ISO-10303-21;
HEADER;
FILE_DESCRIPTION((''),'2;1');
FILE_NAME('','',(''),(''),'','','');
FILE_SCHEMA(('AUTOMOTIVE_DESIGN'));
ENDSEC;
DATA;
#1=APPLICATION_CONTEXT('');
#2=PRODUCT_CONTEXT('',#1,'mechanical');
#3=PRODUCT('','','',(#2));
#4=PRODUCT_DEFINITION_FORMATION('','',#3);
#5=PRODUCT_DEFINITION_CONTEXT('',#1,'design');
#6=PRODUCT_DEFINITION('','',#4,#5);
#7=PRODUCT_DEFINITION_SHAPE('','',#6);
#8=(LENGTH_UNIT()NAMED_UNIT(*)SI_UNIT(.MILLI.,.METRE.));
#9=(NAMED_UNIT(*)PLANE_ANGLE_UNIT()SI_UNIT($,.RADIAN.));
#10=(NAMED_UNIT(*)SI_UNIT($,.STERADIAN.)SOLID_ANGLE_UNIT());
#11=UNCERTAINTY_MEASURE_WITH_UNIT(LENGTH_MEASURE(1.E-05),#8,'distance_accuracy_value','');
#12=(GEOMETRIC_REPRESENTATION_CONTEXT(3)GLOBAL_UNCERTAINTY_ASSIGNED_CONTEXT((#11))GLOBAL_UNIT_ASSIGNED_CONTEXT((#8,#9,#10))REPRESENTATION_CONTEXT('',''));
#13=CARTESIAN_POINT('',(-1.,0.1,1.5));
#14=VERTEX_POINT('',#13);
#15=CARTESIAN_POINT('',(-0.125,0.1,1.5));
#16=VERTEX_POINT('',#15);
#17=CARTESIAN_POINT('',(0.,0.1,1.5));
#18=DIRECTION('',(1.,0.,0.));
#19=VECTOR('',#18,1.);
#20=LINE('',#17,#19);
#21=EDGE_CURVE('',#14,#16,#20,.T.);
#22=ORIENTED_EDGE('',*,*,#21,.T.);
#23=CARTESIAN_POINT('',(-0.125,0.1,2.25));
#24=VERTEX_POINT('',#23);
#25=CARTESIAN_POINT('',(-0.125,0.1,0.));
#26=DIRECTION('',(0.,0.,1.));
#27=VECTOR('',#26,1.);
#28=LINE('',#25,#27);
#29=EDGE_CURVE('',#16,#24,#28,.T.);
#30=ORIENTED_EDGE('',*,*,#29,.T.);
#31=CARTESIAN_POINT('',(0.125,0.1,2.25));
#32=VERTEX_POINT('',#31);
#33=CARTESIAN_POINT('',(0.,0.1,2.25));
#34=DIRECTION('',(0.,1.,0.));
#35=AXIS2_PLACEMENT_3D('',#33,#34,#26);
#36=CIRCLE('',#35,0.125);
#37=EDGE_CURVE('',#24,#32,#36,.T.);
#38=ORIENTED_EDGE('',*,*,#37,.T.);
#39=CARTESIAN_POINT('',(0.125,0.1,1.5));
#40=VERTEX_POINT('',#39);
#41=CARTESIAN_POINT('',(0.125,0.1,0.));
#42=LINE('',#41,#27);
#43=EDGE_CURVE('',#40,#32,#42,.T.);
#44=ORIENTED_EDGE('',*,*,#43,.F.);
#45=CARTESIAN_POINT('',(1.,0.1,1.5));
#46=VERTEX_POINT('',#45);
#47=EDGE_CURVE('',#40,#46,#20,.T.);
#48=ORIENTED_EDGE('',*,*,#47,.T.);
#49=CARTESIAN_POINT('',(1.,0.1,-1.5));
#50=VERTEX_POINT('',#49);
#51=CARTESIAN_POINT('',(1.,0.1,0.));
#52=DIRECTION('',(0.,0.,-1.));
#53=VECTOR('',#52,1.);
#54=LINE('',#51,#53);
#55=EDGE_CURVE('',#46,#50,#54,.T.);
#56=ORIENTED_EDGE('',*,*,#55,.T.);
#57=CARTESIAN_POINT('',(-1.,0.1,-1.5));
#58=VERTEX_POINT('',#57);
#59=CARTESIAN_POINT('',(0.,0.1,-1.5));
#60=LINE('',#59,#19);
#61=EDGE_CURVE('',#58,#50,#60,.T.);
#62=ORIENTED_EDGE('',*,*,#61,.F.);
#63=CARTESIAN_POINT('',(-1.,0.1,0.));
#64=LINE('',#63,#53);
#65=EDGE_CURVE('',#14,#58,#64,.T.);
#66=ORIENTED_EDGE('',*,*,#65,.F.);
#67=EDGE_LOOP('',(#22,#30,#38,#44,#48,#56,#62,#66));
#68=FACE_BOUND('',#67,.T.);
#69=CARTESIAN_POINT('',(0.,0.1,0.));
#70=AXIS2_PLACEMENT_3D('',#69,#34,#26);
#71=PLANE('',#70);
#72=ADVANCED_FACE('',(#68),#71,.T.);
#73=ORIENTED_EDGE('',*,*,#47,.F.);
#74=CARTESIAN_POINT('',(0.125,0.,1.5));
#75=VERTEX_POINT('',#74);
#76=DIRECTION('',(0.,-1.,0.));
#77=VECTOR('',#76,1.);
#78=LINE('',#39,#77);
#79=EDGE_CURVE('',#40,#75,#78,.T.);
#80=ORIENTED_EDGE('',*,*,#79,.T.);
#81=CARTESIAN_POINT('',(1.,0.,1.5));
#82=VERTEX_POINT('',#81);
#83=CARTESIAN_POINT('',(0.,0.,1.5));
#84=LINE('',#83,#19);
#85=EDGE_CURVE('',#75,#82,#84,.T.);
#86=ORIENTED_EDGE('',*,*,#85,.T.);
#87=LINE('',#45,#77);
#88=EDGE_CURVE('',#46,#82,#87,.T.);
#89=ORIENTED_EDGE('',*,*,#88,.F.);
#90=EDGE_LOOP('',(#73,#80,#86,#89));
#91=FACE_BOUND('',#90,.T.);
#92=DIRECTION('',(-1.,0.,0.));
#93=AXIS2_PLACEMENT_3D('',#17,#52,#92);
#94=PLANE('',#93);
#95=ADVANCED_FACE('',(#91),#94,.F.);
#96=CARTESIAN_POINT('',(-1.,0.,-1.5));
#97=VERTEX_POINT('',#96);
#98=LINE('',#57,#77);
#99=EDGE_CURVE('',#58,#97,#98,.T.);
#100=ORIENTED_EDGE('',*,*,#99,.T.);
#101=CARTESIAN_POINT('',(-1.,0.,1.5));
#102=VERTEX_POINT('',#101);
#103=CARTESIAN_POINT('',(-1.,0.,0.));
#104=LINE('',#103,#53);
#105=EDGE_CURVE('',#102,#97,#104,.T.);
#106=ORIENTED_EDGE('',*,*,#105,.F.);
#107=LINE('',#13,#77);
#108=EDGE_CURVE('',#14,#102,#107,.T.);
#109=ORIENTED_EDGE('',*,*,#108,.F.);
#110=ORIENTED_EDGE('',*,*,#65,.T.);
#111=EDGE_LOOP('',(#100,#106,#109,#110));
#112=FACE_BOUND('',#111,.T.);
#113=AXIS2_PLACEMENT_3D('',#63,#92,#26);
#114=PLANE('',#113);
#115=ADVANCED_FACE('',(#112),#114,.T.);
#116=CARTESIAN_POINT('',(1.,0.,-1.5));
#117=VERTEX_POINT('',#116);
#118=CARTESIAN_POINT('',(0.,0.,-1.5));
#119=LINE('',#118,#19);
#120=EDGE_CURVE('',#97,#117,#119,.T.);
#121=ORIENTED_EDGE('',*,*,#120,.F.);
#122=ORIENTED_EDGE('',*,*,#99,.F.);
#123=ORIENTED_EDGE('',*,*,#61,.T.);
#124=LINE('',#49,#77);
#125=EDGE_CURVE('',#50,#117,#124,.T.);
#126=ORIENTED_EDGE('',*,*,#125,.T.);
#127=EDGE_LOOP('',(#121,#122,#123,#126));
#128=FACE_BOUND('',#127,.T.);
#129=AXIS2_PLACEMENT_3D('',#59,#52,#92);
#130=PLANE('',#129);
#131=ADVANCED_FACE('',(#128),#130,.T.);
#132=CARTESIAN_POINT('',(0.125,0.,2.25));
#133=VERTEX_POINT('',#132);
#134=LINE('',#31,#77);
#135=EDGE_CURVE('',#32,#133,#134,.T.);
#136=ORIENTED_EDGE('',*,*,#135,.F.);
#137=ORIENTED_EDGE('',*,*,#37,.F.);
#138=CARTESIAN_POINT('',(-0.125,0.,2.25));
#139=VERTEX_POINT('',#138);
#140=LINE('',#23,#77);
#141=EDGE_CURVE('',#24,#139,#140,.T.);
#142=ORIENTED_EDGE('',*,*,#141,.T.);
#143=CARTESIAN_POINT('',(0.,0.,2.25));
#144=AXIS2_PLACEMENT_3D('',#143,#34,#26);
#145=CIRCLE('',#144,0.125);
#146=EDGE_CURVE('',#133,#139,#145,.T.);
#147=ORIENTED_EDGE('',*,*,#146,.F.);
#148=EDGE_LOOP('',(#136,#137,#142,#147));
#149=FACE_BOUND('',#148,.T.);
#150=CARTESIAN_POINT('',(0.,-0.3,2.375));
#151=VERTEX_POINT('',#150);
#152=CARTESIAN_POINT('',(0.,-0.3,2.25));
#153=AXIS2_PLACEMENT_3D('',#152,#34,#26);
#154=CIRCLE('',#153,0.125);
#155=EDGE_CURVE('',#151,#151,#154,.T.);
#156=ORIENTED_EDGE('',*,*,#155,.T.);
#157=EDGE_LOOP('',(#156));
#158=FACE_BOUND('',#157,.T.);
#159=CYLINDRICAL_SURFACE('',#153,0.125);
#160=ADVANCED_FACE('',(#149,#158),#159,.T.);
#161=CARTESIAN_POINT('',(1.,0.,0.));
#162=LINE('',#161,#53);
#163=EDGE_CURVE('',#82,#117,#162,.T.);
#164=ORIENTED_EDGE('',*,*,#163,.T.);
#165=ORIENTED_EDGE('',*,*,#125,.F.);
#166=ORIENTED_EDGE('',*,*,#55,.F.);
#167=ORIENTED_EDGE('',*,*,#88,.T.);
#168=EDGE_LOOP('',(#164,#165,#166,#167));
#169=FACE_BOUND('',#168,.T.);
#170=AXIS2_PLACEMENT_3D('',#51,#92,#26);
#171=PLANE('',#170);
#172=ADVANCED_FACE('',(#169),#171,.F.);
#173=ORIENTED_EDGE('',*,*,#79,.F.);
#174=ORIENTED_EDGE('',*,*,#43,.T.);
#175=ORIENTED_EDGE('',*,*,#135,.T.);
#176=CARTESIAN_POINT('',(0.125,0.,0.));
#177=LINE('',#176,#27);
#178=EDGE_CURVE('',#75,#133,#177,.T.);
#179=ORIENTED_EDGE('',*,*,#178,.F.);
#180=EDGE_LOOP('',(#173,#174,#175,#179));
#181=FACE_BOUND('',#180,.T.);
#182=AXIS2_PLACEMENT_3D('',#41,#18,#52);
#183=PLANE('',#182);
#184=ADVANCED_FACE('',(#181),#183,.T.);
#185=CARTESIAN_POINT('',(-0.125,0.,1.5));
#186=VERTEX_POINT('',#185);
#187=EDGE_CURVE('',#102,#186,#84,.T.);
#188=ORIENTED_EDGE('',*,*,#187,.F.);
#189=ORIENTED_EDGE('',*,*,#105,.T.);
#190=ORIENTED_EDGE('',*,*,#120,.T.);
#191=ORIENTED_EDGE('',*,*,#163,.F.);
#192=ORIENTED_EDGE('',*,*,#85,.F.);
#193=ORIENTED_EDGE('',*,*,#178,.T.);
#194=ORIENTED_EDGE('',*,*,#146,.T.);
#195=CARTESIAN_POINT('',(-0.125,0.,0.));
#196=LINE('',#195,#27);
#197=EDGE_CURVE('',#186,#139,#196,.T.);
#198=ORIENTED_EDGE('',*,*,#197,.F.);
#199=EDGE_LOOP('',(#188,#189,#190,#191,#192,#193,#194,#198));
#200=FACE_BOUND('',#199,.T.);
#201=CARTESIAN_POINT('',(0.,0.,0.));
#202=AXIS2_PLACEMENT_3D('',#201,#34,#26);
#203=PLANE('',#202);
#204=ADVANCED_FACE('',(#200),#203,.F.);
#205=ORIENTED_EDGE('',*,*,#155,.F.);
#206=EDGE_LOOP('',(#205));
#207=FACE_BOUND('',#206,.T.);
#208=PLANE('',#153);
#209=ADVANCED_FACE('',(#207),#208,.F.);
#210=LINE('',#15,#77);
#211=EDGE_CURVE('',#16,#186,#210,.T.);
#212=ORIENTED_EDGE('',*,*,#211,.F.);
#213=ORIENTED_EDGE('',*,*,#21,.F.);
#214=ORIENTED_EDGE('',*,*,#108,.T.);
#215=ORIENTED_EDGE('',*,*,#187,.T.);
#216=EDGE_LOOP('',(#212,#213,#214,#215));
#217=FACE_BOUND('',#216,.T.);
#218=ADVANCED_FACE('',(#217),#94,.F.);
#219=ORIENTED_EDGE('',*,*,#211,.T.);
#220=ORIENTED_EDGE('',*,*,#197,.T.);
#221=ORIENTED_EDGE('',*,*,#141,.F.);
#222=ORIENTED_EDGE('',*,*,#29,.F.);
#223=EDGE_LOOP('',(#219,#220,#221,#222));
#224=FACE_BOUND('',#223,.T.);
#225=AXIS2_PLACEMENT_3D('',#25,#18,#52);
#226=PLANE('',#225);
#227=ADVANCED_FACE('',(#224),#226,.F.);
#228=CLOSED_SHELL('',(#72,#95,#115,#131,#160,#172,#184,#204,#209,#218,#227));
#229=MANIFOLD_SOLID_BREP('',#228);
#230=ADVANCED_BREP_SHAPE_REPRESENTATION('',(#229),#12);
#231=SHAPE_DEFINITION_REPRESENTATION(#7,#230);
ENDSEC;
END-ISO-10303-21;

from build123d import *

# Parameters (mm, degrees)
SKETCH_1_W      = 0.25
SKETCH_1_H      = 0.75
EXTRUDE_1_DEPTH = 0.1
SKETCH_2_R      = 0.125
EXTRUDE_2_DEPTH = 0.4


with BuildPart() as part:
    # Эскиз1 → Бобышка-Вытянуть1 (new body)
    with BuildSketch(Plane(origin=(0, 0, 0), x_dir=(1, 0, 0), z_dir=(0, 1, 0))):
        Polygon((-1, -1.5), (-0.125, -1.5), (0.125, -1.5), (1, -1.5), (1, 1.5), (-1, 1.5), align=None)
        with Locations((0, -1.875)):
            Rectangle(SKETCH_1_W, SKETCH_1_H)
    extrude(amount=EXTRUDE_1_DEPTH)

    # Эскиз2 → Бобышка-Вытянуть2 (add)
    with BuildSketch(Plane(origin=(0, 0.1, 0), x_dir=(1, 0, 0), z_dir=(0, 1, 0))):
        with Locations((0, -2.25)):
            Circle(SKETCH_2_R)
    extrude(amount=-EXTRUDE_2_DEPTH)


solid = part.part
